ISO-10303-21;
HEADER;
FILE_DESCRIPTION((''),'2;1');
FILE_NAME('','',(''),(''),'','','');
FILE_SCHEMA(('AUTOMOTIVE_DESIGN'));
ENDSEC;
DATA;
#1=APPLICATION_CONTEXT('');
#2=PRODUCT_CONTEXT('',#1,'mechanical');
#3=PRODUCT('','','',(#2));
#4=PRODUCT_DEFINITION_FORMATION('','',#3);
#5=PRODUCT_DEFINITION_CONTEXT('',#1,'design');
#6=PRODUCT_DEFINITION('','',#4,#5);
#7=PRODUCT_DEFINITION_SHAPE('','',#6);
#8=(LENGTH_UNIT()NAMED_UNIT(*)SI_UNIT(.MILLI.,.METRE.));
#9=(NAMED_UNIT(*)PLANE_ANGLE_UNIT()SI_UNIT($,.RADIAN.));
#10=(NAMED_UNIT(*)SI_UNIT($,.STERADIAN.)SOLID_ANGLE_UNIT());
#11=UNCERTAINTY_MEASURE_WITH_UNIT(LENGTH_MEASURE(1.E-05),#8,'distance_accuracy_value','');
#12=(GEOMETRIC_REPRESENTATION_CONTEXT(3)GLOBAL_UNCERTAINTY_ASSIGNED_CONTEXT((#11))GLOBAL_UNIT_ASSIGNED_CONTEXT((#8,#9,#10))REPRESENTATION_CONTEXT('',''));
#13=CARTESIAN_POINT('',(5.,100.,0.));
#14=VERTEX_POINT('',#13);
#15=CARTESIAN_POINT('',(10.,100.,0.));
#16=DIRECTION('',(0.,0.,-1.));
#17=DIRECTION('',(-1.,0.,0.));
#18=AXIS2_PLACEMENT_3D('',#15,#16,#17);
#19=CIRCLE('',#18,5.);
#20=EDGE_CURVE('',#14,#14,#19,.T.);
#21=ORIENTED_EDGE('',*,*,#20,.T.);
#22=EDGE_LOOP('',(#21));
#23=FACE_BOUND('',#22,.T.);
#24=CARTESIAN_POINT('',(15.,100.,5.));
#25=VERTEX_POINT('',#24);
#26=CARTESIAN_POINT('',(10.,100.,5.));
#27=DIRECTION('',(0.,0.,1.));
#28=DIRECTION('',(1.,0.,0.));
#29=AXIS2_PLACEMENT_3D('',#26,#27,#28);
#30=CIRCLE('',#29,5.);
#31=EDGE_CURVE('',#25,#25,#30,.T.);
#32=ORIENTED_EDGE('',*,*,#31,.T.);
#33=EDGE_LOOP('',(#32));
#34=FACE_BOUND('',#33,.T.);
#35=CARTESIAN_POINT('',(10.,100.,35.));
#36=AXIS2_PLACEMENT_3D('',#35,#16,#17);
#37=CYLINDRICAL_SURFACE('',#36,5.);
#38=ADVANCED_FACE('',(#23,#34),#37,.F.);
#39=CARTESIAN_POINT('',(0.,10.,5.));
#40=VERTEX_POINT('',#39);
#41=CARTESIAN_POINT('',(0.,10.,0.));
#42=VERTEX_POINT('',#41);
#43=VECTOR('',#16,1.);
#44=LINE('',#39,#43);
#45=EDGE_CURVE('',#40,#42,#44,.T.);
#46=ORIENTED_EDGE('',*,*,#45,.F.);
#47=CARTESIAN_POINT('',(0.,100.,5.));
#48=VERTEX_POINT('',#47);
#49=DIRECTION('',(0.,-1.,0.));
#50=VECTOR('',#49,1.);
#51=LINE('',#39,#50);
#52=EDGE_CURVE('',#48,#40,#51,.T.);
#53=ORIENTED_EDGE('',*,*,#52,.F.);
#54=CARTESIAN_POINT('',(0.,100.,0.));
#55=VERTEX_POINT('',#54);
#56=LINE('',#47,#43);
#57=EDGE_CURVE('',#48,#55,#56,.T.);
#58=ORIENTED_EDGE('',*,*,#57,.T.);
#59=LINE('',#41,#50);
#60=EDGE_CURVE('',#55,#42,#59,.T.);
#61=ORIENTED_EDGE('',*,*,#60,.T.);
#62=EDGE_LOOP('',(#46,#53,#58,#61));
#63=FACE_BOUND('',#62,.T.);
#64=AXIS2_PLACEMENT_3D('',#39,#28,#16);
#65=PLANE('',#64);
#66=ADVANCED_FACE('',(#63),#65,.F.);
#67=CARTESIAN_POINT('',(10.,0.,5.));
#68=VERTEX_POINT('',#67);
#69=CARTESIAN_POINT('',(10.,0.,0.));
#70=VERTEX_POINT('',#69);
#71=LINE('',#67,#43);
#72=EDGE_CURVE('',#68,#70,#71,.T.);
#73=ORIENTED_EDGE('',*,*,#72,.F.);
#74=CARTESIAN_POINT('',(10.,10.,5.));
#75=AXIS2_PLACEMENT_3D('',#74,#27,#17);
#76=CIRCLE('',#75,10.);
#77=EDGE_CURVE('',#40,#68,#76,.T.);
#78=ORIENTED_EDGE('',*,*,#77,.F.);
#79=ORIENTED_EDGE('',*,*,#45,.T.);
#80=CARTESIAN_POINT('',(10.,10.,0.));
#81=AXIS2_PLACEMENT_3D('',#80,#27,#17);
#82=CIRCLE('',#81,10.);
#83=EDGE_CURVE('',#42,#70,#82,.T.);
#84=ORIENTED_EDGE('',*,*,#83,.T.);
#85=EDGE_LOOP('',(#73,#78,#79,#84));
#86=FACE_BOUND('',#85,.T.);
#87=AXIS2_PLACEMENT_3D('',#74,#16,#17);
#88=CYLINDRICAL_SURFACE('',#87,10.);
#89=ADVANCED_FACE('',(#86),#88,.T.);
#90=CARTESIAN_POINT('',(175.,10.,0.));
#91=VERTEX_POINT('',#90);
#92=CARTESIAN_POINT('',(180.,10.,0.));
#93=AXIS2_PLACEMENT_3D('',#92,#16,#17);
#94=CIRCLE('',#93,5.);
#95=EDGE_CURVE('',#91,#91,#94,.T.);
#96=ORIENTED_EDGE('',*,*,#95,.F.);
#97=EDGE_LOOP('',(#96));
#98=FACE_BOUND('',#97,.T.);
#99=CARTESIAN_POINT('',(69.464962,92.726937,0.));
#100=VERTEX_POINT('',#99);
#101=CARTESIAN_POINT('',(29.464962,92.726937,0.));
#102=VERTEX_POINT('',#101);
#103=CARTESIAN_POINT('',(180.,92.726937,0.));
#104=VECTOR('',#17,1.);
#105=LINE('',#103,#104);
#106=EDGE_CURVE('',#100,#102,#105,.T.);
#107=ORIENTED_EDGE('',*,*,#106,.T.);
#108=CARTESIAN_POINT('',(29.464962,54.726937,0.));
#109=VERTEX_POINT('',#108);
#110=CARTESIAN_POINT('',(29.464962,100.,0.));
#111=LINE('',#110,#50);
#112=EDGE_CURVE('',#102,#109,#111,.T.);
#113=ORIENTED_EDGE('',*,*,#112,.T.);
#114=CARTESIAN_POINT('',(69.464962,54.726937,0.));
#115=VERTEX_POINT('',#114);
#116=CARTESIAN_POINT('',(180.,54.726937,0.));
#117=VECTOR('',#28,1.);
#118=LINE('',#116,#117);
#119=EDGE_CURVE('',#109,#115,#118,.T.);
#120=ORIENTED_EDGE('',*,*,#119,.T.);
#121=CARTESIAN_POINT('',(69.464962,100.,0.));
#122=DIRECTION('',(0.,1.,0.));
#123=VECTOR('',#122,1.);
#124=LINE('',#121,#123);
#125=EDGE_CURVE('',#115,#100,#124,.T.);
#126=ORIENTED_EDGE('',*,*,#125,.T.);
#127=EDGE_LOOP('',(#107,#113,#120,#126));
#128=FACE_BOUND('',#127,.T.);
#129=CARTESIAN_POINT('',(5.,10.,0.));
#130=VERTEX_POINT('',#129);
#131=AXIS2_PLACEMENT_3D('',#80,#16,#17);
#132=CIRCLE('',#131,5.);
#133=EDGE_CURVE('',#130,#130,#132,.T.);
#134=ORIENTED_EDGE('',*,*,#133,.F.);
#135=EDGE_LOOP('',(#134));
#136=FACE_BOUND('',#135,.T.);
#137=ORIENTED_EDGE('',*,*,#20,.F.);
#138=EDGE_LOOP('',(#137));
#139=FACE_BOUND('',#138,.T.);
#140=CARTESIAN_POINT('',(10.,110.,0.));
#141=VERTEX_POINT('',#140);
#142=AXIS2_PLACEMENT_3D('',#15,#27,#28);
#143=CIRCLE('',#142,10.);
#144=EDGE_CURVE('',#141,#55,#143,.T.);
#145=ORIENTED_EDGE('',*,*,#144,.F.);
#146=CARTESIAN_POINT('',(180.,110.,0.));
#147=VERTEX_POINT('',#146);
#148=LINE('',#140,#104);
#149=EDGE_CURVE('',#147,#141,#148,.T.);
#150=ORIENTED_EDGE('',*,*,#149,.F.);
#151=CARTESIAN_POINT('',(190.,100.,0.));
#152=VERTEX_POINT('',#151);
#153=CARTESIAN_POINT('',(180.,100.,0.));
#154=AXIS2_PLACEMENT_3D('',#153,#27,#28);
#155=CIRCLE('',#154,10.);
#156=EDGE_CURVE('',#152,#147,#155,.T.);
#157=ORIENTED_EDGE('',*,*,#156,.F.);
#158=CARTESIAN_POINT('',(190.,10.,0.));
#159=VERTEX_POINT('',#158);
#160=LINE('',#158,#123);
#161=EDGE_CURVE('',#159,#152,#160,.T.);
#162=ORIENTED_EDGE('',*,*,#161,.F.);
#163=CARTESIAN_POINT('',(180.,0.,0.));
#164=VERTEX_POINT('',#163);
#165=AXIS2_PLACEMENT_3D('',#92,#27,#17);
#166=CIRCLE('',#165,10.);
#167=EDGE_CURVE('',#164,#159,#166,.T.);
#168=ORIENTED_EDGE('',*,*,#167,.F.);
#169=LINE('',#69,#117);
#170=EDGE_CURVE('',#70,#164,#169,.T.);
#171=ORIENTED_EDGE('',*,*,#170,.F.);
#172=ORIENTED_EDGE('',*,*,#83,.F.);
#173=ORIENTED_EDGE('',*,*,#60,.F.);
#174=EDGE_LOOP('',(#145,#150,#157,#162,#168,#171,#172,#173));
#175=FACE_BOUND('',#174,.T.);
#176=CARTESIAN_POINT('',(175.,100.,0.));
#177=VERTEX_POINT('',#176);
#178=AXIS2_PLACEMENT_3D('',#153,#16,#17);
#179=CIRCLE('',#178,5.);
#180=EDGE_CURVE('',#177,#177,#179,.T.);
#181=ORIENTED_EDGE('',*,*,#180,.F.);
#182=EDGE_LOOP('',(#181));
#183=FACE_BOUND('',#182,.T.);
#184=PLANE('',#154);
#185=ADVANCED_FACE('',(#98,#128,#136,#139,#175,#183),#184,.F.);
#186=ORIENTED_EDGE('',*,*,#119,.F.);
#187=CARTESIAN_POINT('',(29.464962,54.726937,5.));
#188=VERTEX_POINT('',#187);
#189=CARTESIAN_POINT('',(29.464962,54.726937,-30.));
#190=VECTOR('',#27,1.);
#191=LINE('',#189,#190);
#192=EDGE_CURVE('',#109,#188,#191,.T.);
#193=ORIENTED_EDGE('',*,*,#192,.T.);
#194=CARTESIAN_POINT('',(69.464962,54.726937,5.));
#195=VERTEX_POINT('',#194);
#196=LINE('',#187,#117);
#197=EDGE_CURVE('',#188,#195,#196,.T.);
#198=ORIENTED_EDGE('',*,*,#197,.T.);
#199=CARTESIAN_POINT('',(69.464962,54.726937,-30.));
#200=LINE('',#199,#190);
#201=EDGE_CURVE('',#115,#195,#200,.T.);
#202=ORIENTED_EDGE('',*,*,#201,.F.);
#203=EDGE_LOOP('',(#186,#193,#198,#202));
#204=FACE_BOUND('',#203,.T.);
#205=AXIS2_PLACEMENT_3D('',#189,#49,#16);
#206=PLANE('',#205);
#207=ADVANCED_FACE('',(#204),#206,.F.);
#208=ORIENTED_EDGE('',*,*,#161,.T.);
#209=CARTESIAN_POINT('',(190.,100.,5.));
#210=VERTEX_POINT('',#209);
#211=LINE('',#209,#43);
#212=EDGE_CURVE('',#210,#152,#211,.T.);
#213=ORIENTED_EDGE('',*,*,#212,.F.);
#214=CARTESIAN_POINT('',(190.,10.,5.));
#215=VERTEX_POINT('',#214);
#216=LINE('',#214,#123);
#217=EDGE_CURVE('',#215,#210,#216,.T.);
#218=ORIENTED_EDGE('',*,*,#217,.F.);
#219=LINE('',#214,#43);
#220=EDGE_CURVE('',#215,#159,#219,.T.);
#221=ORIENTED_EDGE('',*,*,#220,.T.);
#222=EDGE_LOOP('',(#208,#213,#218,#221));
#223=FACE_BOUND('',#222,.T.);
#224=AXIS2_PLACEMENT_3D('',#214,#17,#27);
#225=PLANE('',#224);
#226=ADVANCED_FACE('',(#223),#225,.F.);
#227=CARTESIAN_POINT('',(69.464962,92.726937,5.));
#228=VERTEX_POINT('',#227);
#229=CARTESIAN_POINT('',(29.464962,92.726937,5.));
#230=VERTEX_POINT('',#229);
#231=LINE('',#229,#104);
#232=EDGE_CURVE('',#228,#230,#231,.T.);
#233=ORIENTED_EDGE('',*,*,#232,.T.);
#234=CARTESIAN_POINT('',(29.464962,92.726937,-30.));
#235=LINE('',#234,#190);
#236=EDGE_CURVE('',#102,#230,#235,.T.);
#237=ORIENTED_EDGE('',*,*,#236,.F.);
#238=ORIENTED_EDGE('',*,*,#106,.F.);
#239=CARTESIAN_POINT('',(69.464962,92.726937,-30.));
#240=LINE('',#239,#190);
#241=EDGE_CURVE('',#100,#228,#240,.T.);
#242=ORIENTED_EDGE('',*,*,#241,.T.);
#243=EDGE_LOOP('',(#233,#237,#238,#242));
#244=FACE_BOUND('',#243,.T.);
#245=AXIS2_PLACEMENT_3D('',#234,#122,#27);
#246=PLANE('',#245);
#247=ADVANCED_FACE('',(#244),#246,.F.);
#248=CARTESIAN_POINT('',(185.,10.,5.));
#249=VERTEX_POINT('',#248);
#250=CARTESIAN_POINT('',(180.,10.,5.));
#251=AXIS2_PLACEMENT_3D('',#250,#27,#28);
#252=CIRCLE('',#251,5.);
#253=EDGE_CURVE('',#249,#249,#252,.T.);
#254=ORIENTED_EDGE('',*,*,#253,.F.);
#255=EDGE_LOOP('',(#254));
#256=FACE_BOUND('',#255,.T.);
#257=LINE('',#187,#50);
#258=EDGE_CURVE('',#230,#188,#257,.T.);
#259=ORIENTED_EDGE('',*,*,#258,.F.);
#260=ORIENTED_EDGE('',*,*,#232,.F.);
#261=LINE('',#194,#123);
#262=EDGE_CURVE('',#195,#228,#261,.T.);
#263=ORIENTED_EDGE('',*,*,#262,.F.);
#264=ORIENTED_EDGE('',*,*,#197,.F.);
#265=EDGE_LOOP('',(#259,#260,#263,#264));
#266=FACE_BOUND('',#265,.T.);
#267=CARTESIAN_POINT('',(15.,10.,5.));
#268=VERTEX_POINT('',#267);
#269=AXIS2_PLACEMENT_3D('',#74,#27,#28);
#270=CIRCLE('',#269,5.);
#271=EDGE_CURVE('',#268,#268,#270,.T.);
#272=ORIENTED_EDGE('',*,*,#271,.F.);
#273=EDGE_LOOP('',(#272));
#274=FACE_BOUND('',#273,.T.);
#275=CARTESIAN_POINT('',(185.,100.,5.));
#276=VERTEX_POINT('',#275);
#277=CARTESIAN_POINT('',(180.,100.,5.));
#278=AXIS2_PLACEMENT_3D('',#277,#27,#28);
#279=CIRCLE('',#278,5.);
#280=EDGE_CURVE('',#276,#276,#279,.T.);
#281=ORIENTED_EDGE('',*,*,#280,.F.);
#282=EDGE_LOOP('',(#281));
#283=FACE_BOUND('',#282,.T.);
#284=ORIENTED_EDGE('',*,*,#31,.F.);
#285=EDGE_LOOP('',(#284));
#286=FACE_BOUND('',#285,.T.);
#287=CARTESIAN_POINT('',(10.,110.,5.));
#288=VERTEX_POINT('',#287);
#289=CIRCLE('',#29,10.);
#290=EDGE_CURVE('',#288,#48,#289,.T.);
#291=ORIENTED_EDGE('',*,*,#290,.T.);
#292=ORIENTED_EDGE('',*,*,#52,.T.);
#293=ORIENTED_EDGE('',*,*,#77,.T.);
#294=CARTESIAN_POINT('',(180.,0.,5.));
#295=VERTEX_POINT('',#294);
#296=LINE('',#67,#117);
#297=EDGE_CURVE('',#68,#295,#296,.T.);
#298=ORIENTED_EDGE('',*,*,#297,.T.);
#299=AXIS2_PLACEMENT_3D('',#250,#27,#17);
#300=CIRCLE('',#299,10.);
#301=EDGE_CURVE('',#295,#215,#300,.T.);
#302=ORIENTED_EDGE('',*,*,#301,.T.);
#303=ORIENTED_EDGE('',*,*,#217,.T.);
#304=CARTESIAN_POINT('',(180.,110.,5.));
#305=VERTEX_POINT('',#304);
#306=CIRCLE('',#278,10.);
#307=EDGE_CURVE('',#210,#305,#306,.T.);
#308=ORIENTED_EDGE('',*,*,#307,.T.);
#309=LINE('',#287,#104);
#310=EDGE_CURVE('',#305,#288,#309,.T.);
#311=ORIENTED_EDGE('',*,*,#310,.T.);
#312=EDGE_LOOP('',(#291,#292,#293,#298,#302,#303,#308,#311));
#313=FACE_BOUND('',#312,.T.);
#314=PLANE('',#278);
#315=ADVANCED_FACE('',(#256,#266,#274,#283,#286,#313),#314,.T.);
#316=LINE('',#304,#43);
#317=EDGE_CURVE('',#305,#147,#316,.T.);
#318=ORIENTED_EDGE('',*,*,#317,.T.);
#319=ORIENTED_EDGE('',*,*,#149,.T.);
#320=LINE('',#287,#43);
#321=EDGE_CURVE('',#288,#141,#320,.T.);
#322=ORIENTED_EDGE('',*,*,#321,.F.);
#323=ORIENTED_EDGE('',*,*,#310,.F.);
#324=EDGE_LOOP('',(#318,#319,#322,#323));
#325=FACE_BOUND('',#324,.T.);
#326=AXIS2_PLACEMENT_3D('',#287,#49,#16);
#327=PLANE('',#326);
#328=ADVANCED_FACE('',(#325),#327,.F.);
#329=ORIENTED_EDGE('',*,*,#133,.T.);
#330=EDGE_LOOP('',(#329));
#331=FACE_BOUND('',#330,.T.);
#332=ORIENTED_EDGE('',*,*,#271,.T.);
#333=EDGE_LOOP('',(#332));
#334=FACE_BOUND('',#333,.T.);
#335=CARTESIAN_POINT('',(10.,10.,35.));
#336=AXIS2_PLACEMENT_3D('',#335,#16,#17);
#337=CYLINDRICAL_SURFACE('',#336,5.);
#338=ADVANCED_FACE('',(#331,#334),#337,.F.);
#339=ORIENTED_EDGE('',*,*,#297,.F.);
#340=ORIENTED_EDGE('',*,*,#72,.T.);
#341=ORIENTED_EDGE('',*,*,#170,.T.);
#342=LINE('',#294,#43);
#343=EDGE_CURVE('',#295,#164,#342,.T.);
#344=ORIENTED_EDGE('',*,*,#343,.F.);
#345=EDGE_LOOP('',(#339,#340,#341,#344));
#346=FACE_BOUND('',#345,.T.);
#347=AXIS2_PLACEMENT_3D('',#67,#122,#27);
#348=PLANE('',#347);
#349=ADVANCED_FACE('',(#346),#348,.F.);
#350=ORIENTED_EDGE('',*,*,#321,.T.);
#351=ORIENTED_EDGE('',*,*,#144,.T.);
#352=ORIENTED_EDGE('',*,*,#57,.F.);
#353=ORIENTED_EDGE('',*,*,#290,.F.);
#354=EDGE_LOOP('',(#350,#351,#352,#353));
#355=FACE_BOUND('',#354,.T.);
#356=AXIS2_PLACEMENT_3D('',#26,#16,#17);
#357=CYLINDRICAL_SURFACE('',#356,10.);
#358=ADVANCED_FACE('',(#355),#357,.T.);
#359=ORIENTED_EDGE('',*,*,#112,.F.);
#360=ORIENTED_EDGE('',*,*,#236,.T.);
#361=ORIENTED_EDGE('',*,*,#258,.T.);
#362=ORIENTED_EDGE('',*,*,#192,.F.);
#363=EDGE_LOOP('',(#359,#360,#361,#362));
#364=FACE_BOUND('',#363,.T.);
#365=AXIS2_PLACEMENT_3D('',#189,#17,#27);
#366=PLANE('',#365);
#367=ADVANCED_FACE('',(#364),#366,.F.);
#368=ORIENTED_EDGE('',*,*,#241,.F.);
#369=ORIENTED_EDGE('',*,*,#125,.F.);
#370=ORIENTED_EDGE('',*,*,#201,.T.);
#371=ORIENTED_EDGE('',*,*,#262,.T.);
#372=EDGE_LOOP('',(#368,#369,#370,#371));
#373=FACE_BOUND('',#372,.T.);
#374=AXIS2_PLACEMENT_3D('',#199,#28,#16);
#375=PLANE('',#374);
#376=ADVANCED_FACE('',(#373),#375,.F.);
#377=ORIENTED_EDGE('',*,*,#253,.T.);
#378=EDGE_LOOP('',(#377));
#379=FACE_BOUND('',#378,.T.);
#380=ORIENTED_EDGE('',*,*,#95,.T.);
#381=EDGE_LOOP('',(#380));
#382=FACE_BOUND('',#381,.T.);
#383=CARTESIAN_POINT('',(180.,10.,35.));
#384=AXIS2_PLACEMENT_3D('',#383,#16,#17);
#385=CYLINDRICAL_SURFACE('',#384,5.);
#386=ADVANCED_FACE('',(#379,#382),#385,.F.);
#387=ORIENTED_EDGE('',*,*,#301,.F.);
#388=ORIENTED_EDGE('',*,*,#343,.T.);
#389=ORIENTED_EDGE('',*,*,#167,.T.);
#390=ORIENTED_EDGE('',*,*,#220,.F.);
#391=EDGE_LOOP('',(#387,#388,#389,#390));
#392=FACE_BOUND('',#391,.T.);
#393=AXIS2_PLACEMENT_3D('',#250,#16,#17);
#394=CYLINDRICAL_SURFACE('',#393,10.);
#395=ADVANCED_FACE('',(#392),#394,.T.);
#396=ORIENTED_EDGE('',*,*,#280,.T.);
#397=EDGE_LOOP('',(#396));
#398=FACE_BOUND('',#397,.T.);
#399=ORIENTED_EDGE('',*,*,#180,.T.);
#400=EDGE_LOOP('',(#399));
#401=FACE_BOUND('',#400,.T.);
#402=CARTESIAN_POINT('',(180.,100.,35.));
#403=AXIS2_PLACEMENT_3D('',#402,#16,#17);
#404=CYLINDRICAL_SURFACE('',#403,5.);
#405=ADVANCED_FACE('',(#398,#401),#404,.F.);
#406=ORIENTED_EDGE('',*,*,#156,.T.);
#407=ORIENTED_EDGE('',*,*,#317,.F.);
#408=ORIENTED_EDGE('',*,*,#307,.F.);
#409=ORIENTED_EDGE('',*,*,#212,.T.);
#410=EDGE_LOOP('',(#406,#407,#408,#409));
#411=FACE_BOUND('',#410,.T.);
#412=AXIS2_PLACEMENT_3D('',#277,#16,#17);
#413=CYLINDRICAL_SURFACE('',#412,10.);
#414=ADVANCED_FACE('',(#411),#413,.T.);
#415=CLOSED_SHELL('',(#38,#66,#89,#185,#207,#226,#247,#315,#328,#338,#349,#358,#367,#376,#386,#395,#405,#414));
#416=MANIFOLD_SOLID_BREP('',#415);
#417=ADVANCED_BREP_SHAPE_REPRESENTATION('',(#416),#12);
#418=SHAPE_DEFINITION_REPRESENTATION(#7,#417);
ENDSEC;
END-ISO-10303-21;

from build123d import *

# Parameters (mm, degrees)
BOSS_EXTRUDE1_DEPTH = 5
SKETCH2_R           = 5
CUT_EXTRUDE1_DEPTH  = 35
SKETCH3_W           = 40
SKETCH3_H           = 38
CUT_EXTRUDE2_DEPTH  = 35


with BuildPart() as part:
    # Sketch1 → Boss-Extrude1 (new body)
    with BuildSketch(Plane.XY):
        with BuildLine():
            Line((10, 0), (180, 0))
            ThreePointArc((180, 0), (187.071067812, 2.928932188), (190, 10))
            Line((190, 10), (190, 100))
            ThreePointArc((190, 100), (187.071067812, 107.071067812), (180, 110))
            Line((180, 110), (10, 110))
            ThreePointArc((10, 110), (2.928932188, 107.071067812), (0, 100))
            Line((0, 100), (0, 10))
            ThreePointArc((0, 10), (2.928932188, 2.928932188), (10, 0))
        make_face()
    extrude(amount=BOSS_EXTRUDE1_DEPTH)

    # Sketch2 → Cut-Extrude1 (cut)
    with BuildSketch(Plane(origin=(0, 0, 0), x_dir=(-1, 0, 0), z_dir=(0, 0, -1))):
        with Locations((-180, 100)):
            Circle(SKETCH2_R)
        with Locations((-10, 100)):
            Circle(SKETCH2_R)
        with Locations((-180, 10)):
            Circle(SKETCH2_R)
        with Locations((-10, 10)):
            Circle(SKETCH2_R)
    extrude(amount=-CUT_EXTRUDE1_DEPTH, mode=Mode.SUBTRACT)

    # Sketch3 → Cut-Extrude2 (cut)
    with BuildSketch(Plane.XY.offset(5)):
        with Locations((49.464961526, 73.72693734)):
            Rectangle(SKETCH3_W, SKETCH3_H)
    extrude(amount=-CUT_EXTRUDE2_DEPTH, mode=Mode.SUBTRACT)


solid = part.part
